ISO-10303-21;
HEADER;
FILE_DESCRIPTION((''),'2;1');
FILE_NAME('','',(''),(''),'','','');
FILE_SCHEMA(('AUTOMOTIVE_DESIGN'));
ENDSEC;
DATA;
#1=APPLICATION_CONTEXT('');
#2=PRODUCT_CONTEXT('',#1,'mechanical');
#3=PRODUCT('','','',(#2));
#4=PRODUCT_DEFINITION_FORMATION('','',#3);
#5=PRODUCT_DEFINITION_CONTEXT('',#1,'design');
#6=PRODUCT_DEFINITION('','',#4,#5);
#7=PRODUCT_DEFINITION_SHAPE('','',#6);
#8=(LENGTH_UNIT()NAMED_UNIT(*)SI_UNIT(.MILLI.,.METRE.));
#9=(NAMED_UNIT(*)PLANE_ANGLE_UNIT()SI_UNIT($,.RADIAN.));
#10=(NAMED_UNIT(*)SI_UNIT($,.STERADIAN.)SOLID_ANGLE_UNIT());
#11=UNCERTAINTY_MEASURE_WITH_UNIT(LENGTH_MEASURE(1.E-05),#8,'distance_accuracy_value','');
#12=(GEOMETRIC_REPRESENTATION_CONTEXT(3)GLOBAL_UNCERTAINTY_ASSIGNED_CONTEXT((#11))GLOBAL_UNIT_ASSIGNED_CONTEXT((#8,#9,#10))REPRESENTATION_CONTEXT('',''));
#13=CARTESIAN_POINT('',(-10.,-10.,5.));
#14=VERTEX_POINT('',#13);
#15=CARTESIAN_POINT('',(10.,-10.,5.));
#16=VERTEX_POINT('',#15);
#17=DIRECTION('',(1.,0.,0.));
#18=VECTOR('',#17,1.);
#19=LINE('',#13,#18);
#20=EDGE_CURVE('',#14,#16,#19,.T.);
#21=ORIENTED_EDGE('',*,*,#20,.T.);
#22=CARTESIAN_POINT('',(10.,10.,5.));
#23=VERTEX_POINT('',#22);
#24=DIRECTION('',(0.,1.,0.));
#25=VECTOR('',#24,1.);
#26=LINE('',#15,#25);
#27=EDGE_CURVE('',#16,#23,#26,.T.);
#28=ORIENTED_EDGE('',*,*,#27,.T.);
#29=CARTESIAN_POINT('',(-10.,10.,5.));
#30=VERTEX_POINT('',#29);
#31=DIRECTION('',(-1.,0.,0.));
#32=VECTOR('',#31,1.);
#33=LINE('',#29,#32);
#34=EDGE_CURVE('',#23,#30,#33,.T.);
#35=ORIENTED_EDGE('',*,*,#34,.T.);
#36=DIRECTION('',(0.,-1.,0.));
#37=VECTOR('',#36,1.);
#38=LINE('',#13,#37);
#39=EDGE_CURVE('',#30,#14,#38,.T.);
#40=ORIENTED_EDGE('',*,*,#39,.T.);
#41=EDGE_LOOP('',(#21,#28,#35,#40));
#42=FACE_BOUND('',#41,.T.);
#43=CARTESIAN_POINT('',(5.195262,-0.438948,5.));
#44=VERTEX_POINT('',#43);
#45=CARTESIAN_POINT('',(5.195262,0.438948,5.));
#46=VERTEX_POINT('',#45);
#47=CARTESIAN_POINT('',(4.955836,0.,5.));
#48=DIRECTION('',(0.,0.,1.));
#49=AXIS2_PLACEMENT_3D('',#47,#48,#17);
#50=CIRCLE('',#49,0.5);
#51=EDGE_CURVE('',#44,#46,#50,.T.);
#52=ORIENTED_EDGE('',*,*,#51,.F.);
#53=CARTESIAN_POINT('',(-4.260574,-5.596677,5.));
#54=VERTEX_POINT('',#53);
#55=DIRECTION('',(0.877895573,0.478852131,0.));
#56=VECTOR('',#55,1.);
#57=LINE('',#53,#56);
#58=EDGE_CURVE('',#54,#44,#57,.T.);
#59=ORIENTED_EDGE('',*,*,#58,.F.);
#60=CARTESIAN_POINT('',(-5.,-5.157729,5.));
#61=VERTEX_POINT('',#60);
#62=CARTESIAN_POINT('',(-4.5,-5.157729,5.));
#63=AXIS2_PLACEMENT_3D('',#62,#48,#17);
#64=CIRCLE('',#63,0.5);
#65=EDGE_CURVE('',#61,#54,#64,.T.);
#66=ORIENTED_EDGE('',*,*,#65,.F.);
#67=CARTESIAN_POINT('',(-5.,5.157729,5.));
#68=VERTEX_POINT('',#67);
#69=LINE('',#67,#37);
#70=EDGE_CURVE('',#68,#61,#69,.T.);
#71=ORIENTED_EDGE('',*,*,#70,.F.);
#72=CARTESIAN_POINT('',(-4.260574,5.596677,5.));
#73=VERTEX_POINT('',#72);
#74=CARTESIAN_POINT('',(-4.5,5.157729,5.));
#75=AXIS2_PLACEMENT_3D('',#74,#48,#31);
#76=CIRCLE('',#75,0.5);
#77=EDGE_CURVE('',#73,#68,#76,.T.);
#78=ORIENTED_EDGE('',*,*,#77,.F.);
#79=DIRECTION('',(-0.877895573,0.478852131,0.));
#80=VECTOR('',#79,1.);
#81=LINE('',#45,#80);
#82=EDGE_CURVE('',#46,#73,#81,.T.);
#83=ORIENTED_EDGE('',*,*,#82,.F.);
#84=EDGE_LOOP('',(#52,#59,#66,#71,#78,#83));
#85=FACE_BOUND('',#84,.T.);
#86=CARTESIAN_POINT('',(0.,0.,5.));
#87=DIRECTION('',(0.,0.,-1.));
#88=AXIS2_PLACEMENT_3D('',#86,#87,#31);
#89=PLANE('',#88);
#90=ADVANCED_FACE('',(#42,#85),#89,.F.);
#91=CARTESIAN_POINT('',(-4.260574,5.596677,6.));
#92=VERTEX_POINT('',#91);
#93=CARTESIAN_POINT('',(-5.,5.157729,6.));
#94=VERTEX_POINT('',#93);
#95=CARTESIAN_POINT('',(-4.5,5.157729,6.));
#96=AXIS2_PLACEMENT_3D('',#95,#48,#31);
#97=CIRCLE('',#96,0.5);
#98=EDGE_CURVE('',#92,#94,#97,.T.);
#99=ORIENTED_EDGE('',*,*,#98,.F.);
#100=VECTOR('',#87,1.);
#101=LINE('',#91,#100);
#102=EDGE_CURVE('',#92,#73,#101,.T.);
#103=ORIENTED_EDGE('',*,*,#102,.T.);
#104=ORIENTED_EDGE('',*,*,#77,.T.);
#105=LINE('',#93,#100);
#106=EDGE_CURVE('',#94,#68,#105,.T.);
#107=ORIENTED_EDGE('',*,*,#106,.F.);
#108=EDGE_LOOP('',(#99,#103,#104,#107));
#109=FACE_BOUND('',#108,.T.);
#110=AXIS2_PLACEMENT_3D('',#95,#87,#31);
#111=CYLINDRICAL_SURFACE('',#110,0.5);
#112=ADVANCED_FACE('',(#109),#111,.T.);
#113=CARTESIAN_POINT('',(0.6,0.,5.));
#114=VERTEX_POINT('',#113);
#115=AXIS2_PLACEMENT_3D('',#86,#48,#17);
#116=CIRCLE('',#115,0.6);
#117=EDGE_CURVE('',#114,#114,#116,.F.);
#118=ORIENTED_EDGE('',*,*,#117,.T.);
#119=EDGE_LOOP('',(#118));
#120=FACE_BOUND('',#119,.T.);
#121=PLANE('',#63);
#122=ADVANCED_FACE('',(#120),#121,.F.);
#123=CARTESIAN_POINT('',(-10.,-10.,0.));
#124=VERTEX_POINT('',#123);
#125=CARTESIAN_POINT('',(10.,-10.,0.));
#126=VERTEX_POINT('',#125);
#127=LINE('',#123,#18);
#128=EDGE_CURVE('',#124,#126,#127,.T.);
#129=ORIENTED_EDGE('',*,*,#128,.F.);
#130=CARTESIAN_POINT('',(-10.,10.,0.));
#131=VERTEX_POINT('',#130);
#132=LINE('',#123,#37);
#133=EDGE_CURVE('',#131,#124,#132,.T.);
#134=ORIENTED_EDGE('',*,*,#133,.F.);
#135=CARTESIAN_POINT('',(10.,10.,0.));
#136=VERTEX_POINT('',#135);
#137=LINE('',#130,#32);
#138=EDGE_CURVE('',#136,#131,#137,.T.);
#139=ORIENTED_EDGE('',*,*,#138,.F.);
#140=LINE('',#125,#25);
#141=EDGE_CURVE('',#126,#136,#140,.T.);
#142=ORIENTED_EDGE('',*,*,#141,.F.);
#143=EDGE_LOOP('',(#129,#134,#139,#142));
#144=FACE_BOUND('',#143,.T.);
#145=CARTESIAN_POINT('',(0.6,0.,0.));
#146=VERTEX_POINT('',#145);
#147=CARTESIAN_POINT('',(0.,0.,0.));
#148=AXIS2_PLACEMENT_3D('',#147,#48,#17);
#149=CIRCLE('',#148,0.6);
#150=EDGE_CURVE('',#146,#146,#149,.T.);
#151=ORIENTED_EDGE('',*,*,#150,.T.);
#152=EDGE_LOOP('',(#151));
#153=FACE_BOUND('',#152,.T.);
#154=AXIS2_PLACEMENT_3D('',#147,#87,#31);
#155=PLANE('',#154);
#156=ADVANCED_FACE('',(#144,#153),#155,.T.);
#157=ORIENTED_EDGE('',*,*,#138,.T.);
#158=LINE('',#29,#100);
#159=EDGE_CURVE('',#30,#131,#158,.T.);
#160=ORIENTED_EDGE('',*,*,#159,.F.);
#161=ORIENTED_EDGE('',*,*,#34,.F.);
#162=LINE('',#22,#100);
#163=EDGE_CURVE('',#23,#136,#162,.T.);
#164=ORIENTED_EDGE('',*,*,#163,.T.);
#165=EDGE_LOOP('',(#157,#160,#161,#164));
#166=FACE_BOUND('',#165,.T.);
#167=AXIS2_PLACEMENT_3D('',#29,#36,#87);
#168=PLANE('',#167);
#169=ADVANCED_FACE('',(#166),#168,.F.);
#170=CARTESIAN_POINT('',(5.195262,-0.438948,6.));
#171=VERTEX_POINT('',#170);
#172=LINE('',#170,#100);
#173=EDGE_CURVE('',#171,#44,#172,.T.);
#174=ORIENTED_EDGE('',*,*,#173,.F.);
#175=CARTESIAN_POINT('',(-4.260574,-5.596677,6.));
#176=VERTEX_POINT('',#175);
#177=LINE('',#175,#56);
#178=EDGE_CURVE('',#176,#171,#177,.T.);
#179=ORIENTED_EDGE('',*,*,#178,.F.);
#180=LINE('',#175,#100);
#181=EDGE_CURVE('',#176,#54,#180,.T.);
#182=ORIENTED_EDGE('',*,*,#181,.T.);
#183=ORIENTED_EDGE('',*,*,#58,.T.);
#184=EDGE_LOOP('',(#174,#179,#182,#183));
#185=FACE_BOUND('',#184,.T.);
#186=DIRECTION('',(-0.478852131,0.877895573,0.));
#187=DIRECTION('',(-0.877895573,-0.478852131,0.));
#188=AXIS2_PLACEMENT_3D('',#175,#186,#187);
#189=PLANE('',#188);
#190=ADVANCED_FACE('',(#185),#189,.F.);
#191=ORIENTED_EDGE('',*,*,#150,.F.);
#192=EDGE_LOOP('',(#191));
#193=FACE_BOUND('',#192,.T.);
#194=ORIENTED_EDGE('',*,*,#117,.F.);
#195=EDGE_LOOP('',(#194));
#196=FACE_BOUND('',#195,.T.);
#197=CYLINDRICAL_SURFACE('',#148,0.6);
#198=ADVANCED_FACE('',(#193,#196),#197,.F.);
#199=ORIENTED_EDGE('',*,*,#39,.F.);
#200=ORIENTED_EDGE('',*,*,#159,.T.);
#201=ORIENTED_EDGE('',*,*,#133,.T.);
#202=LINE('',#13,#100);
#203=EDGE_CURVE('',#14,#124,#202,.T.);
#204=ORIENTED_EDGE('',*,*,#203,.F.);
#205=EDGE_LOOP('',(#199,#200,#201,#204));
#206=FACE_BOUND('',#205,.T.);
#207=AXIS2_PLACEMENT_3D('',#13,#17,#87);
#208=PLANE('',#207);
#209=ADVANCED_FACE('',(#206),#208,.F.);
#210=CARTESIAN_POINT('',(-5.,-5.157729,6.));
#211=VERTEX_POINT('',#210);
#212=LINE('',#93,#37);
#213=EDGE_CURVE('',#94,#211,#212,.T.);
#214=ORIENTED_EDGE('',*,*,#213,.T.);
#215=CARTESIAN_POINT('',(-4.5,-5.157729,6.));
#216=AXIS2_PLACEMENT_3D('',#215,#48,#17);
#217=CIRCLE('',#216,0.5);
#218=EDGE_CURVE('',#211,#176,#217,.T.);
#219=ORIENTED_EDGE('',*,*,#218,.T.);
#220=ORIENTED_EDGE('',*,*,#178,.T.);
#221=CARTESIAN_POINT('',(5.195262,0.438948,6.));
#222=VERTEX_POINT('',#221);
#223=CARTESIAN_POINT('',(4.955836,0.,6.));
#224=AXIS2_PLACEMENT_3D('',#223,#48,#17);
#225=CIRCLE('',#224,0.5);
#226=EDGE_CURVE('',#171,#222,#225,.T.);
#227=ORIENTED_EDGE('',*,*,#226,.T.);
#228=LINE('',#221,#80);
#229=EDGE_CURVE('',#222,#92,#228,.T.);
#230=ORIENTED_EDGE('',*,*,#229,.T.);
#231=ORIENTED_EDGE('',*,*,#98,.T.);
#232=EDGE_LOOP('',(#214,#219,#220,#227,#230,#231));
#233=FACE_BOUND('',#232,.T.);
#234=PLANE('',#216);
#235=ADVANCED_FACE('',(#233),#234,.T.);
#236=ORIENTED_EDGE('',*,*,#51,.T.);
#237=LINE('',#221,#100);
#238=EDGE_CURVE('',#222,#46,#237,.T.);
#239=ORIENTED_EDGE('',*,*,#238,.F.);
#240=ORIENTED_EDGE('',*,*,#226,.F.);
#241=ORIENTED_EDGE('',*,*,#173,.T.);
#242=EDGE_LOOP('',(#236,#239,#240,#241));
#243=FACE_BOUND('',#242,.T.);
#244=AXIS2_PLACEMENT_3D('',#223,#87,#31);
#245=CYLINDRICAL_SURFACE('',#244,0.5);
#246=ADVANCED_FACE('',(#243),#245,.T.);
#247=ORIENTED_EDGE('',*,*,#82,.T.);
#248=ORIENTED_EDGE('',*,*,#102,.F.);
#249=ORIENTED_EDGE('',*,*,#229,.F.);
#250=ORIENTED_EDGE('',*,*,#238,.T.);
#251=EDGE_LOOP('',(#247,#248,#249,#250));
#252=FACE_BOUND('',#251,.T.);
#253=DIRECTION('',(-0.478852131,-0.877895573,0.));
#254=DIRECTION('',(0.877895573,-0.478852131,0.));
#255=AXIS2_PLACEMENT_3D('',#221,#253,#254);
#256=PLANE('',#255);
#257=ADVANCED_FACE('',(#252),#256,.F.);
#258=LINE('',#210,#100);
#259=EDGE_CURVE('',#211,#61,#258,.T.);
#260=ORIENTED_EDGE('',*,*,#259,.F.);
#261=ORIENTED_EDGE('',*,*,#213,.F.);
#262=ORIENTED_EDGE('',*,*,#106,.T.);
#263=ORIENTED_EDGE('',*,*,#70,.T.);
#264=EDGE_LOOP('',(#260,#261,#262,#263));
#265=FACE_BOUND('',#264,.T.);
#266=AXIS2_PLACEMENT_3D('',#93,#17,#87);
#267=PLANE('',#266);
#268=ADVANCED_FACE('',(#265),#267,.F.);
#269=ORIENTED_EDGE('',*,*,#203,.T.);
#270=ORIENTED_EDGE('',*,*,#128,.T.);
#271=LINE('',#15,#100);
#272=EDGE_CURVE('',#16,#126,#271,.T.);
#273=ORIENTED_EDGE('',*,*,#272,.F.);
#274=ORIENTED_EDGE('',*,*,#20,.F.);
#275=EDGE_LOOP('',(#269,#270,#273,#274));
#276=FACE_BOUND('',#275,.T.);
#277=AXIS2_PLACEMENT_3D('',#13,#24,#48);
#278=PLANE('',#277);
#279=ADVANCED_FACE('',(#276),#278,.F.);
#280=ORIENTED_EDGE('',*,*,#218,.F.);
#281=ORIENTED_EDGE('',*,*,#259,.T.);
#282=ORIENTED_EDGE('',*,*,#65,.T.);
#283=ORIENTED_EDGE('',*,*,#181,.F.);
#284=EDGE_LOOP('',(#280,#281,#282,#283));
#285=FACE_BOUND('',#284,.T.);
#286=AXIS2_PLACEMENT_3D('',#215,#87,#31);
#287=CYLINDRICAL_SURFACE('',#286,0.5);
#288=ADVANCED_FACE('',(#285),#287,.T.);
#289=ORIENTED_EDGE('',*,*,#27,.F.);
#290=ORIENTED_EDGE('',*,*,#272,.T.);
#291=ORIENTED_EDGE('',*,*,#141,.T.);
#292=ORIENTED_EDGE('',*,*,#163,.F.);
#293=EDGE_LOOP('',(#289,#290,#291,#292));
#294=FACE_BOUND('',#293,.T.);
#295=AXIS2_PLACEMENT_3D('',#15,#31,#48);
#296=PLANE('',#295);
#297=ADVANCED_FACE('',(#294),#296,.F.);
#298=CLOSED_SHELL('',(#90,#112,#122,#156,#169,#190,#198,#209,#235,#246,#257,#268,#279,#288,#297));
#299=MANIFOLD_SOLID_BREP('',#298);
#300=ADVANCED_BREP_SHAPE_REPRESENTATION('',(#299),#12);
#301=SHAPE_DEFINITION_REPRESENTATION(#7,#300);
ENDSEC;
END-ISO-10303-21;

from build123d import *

# Parameters (mm, degrees)
SKETCH1_W           = 20
SKETCH1_H           = 20
BOSS_EXTRUDE1_DEPTH = 5
SKETCH6_R           = 0.6
CUT_EXTRUDE1_DEPTH  = 5
BOSS_EXTRUDE2_DEPTH = 1


with BuildPart() as part:
    # Sketch1 → Boss-Extrude1 (new body)
    with BuildSketch(Plane.XY):
        Rectangle(SKETCH1_W, SKETCH1_H)
    extrude(amount=BOSS_EXTRUDE1_DEPTH)

    # Sketch6 → Cut-Extrude1 (cut)
    with BuildSketch(Plane.XY.offset(5)):
        Circle(SKETCH6_R)
    extrude(amount=-CUT_EXTRUDE1_DEPTH, mode=Mode.SUBTRACT)

    # Sketch2 → Boss-Extrude2 (add)
    with BuildSketch(Plane.XY.offset(5)):
        with BuildLine():
            Line((-5, 5.157728905), (-5, -5.157728905))
            ThreePointArc((-5, -5.157728905), (-4.755232215, -5.58767834), (-4.260573935, -5.596676692))
            Line((-4.260573935, -5.596676692), (5.195262391, -0.438947786))
            ThreePointArc((5.195262391, -0.438947786), (5.455836326, 0), (5.195262391, 0.438947786))
            Line((5.195262391, 0.438947786), (-4.260573935, 5.596676692))
            ThreePointArc((-4.260573935, 5.596676692), (-4.755232215, 5.58767834), (-5, 5.157728905))
        make_face()
    extrude(amount=BOSS_EXTRUDE2_DEPTH)


solid = part.part
